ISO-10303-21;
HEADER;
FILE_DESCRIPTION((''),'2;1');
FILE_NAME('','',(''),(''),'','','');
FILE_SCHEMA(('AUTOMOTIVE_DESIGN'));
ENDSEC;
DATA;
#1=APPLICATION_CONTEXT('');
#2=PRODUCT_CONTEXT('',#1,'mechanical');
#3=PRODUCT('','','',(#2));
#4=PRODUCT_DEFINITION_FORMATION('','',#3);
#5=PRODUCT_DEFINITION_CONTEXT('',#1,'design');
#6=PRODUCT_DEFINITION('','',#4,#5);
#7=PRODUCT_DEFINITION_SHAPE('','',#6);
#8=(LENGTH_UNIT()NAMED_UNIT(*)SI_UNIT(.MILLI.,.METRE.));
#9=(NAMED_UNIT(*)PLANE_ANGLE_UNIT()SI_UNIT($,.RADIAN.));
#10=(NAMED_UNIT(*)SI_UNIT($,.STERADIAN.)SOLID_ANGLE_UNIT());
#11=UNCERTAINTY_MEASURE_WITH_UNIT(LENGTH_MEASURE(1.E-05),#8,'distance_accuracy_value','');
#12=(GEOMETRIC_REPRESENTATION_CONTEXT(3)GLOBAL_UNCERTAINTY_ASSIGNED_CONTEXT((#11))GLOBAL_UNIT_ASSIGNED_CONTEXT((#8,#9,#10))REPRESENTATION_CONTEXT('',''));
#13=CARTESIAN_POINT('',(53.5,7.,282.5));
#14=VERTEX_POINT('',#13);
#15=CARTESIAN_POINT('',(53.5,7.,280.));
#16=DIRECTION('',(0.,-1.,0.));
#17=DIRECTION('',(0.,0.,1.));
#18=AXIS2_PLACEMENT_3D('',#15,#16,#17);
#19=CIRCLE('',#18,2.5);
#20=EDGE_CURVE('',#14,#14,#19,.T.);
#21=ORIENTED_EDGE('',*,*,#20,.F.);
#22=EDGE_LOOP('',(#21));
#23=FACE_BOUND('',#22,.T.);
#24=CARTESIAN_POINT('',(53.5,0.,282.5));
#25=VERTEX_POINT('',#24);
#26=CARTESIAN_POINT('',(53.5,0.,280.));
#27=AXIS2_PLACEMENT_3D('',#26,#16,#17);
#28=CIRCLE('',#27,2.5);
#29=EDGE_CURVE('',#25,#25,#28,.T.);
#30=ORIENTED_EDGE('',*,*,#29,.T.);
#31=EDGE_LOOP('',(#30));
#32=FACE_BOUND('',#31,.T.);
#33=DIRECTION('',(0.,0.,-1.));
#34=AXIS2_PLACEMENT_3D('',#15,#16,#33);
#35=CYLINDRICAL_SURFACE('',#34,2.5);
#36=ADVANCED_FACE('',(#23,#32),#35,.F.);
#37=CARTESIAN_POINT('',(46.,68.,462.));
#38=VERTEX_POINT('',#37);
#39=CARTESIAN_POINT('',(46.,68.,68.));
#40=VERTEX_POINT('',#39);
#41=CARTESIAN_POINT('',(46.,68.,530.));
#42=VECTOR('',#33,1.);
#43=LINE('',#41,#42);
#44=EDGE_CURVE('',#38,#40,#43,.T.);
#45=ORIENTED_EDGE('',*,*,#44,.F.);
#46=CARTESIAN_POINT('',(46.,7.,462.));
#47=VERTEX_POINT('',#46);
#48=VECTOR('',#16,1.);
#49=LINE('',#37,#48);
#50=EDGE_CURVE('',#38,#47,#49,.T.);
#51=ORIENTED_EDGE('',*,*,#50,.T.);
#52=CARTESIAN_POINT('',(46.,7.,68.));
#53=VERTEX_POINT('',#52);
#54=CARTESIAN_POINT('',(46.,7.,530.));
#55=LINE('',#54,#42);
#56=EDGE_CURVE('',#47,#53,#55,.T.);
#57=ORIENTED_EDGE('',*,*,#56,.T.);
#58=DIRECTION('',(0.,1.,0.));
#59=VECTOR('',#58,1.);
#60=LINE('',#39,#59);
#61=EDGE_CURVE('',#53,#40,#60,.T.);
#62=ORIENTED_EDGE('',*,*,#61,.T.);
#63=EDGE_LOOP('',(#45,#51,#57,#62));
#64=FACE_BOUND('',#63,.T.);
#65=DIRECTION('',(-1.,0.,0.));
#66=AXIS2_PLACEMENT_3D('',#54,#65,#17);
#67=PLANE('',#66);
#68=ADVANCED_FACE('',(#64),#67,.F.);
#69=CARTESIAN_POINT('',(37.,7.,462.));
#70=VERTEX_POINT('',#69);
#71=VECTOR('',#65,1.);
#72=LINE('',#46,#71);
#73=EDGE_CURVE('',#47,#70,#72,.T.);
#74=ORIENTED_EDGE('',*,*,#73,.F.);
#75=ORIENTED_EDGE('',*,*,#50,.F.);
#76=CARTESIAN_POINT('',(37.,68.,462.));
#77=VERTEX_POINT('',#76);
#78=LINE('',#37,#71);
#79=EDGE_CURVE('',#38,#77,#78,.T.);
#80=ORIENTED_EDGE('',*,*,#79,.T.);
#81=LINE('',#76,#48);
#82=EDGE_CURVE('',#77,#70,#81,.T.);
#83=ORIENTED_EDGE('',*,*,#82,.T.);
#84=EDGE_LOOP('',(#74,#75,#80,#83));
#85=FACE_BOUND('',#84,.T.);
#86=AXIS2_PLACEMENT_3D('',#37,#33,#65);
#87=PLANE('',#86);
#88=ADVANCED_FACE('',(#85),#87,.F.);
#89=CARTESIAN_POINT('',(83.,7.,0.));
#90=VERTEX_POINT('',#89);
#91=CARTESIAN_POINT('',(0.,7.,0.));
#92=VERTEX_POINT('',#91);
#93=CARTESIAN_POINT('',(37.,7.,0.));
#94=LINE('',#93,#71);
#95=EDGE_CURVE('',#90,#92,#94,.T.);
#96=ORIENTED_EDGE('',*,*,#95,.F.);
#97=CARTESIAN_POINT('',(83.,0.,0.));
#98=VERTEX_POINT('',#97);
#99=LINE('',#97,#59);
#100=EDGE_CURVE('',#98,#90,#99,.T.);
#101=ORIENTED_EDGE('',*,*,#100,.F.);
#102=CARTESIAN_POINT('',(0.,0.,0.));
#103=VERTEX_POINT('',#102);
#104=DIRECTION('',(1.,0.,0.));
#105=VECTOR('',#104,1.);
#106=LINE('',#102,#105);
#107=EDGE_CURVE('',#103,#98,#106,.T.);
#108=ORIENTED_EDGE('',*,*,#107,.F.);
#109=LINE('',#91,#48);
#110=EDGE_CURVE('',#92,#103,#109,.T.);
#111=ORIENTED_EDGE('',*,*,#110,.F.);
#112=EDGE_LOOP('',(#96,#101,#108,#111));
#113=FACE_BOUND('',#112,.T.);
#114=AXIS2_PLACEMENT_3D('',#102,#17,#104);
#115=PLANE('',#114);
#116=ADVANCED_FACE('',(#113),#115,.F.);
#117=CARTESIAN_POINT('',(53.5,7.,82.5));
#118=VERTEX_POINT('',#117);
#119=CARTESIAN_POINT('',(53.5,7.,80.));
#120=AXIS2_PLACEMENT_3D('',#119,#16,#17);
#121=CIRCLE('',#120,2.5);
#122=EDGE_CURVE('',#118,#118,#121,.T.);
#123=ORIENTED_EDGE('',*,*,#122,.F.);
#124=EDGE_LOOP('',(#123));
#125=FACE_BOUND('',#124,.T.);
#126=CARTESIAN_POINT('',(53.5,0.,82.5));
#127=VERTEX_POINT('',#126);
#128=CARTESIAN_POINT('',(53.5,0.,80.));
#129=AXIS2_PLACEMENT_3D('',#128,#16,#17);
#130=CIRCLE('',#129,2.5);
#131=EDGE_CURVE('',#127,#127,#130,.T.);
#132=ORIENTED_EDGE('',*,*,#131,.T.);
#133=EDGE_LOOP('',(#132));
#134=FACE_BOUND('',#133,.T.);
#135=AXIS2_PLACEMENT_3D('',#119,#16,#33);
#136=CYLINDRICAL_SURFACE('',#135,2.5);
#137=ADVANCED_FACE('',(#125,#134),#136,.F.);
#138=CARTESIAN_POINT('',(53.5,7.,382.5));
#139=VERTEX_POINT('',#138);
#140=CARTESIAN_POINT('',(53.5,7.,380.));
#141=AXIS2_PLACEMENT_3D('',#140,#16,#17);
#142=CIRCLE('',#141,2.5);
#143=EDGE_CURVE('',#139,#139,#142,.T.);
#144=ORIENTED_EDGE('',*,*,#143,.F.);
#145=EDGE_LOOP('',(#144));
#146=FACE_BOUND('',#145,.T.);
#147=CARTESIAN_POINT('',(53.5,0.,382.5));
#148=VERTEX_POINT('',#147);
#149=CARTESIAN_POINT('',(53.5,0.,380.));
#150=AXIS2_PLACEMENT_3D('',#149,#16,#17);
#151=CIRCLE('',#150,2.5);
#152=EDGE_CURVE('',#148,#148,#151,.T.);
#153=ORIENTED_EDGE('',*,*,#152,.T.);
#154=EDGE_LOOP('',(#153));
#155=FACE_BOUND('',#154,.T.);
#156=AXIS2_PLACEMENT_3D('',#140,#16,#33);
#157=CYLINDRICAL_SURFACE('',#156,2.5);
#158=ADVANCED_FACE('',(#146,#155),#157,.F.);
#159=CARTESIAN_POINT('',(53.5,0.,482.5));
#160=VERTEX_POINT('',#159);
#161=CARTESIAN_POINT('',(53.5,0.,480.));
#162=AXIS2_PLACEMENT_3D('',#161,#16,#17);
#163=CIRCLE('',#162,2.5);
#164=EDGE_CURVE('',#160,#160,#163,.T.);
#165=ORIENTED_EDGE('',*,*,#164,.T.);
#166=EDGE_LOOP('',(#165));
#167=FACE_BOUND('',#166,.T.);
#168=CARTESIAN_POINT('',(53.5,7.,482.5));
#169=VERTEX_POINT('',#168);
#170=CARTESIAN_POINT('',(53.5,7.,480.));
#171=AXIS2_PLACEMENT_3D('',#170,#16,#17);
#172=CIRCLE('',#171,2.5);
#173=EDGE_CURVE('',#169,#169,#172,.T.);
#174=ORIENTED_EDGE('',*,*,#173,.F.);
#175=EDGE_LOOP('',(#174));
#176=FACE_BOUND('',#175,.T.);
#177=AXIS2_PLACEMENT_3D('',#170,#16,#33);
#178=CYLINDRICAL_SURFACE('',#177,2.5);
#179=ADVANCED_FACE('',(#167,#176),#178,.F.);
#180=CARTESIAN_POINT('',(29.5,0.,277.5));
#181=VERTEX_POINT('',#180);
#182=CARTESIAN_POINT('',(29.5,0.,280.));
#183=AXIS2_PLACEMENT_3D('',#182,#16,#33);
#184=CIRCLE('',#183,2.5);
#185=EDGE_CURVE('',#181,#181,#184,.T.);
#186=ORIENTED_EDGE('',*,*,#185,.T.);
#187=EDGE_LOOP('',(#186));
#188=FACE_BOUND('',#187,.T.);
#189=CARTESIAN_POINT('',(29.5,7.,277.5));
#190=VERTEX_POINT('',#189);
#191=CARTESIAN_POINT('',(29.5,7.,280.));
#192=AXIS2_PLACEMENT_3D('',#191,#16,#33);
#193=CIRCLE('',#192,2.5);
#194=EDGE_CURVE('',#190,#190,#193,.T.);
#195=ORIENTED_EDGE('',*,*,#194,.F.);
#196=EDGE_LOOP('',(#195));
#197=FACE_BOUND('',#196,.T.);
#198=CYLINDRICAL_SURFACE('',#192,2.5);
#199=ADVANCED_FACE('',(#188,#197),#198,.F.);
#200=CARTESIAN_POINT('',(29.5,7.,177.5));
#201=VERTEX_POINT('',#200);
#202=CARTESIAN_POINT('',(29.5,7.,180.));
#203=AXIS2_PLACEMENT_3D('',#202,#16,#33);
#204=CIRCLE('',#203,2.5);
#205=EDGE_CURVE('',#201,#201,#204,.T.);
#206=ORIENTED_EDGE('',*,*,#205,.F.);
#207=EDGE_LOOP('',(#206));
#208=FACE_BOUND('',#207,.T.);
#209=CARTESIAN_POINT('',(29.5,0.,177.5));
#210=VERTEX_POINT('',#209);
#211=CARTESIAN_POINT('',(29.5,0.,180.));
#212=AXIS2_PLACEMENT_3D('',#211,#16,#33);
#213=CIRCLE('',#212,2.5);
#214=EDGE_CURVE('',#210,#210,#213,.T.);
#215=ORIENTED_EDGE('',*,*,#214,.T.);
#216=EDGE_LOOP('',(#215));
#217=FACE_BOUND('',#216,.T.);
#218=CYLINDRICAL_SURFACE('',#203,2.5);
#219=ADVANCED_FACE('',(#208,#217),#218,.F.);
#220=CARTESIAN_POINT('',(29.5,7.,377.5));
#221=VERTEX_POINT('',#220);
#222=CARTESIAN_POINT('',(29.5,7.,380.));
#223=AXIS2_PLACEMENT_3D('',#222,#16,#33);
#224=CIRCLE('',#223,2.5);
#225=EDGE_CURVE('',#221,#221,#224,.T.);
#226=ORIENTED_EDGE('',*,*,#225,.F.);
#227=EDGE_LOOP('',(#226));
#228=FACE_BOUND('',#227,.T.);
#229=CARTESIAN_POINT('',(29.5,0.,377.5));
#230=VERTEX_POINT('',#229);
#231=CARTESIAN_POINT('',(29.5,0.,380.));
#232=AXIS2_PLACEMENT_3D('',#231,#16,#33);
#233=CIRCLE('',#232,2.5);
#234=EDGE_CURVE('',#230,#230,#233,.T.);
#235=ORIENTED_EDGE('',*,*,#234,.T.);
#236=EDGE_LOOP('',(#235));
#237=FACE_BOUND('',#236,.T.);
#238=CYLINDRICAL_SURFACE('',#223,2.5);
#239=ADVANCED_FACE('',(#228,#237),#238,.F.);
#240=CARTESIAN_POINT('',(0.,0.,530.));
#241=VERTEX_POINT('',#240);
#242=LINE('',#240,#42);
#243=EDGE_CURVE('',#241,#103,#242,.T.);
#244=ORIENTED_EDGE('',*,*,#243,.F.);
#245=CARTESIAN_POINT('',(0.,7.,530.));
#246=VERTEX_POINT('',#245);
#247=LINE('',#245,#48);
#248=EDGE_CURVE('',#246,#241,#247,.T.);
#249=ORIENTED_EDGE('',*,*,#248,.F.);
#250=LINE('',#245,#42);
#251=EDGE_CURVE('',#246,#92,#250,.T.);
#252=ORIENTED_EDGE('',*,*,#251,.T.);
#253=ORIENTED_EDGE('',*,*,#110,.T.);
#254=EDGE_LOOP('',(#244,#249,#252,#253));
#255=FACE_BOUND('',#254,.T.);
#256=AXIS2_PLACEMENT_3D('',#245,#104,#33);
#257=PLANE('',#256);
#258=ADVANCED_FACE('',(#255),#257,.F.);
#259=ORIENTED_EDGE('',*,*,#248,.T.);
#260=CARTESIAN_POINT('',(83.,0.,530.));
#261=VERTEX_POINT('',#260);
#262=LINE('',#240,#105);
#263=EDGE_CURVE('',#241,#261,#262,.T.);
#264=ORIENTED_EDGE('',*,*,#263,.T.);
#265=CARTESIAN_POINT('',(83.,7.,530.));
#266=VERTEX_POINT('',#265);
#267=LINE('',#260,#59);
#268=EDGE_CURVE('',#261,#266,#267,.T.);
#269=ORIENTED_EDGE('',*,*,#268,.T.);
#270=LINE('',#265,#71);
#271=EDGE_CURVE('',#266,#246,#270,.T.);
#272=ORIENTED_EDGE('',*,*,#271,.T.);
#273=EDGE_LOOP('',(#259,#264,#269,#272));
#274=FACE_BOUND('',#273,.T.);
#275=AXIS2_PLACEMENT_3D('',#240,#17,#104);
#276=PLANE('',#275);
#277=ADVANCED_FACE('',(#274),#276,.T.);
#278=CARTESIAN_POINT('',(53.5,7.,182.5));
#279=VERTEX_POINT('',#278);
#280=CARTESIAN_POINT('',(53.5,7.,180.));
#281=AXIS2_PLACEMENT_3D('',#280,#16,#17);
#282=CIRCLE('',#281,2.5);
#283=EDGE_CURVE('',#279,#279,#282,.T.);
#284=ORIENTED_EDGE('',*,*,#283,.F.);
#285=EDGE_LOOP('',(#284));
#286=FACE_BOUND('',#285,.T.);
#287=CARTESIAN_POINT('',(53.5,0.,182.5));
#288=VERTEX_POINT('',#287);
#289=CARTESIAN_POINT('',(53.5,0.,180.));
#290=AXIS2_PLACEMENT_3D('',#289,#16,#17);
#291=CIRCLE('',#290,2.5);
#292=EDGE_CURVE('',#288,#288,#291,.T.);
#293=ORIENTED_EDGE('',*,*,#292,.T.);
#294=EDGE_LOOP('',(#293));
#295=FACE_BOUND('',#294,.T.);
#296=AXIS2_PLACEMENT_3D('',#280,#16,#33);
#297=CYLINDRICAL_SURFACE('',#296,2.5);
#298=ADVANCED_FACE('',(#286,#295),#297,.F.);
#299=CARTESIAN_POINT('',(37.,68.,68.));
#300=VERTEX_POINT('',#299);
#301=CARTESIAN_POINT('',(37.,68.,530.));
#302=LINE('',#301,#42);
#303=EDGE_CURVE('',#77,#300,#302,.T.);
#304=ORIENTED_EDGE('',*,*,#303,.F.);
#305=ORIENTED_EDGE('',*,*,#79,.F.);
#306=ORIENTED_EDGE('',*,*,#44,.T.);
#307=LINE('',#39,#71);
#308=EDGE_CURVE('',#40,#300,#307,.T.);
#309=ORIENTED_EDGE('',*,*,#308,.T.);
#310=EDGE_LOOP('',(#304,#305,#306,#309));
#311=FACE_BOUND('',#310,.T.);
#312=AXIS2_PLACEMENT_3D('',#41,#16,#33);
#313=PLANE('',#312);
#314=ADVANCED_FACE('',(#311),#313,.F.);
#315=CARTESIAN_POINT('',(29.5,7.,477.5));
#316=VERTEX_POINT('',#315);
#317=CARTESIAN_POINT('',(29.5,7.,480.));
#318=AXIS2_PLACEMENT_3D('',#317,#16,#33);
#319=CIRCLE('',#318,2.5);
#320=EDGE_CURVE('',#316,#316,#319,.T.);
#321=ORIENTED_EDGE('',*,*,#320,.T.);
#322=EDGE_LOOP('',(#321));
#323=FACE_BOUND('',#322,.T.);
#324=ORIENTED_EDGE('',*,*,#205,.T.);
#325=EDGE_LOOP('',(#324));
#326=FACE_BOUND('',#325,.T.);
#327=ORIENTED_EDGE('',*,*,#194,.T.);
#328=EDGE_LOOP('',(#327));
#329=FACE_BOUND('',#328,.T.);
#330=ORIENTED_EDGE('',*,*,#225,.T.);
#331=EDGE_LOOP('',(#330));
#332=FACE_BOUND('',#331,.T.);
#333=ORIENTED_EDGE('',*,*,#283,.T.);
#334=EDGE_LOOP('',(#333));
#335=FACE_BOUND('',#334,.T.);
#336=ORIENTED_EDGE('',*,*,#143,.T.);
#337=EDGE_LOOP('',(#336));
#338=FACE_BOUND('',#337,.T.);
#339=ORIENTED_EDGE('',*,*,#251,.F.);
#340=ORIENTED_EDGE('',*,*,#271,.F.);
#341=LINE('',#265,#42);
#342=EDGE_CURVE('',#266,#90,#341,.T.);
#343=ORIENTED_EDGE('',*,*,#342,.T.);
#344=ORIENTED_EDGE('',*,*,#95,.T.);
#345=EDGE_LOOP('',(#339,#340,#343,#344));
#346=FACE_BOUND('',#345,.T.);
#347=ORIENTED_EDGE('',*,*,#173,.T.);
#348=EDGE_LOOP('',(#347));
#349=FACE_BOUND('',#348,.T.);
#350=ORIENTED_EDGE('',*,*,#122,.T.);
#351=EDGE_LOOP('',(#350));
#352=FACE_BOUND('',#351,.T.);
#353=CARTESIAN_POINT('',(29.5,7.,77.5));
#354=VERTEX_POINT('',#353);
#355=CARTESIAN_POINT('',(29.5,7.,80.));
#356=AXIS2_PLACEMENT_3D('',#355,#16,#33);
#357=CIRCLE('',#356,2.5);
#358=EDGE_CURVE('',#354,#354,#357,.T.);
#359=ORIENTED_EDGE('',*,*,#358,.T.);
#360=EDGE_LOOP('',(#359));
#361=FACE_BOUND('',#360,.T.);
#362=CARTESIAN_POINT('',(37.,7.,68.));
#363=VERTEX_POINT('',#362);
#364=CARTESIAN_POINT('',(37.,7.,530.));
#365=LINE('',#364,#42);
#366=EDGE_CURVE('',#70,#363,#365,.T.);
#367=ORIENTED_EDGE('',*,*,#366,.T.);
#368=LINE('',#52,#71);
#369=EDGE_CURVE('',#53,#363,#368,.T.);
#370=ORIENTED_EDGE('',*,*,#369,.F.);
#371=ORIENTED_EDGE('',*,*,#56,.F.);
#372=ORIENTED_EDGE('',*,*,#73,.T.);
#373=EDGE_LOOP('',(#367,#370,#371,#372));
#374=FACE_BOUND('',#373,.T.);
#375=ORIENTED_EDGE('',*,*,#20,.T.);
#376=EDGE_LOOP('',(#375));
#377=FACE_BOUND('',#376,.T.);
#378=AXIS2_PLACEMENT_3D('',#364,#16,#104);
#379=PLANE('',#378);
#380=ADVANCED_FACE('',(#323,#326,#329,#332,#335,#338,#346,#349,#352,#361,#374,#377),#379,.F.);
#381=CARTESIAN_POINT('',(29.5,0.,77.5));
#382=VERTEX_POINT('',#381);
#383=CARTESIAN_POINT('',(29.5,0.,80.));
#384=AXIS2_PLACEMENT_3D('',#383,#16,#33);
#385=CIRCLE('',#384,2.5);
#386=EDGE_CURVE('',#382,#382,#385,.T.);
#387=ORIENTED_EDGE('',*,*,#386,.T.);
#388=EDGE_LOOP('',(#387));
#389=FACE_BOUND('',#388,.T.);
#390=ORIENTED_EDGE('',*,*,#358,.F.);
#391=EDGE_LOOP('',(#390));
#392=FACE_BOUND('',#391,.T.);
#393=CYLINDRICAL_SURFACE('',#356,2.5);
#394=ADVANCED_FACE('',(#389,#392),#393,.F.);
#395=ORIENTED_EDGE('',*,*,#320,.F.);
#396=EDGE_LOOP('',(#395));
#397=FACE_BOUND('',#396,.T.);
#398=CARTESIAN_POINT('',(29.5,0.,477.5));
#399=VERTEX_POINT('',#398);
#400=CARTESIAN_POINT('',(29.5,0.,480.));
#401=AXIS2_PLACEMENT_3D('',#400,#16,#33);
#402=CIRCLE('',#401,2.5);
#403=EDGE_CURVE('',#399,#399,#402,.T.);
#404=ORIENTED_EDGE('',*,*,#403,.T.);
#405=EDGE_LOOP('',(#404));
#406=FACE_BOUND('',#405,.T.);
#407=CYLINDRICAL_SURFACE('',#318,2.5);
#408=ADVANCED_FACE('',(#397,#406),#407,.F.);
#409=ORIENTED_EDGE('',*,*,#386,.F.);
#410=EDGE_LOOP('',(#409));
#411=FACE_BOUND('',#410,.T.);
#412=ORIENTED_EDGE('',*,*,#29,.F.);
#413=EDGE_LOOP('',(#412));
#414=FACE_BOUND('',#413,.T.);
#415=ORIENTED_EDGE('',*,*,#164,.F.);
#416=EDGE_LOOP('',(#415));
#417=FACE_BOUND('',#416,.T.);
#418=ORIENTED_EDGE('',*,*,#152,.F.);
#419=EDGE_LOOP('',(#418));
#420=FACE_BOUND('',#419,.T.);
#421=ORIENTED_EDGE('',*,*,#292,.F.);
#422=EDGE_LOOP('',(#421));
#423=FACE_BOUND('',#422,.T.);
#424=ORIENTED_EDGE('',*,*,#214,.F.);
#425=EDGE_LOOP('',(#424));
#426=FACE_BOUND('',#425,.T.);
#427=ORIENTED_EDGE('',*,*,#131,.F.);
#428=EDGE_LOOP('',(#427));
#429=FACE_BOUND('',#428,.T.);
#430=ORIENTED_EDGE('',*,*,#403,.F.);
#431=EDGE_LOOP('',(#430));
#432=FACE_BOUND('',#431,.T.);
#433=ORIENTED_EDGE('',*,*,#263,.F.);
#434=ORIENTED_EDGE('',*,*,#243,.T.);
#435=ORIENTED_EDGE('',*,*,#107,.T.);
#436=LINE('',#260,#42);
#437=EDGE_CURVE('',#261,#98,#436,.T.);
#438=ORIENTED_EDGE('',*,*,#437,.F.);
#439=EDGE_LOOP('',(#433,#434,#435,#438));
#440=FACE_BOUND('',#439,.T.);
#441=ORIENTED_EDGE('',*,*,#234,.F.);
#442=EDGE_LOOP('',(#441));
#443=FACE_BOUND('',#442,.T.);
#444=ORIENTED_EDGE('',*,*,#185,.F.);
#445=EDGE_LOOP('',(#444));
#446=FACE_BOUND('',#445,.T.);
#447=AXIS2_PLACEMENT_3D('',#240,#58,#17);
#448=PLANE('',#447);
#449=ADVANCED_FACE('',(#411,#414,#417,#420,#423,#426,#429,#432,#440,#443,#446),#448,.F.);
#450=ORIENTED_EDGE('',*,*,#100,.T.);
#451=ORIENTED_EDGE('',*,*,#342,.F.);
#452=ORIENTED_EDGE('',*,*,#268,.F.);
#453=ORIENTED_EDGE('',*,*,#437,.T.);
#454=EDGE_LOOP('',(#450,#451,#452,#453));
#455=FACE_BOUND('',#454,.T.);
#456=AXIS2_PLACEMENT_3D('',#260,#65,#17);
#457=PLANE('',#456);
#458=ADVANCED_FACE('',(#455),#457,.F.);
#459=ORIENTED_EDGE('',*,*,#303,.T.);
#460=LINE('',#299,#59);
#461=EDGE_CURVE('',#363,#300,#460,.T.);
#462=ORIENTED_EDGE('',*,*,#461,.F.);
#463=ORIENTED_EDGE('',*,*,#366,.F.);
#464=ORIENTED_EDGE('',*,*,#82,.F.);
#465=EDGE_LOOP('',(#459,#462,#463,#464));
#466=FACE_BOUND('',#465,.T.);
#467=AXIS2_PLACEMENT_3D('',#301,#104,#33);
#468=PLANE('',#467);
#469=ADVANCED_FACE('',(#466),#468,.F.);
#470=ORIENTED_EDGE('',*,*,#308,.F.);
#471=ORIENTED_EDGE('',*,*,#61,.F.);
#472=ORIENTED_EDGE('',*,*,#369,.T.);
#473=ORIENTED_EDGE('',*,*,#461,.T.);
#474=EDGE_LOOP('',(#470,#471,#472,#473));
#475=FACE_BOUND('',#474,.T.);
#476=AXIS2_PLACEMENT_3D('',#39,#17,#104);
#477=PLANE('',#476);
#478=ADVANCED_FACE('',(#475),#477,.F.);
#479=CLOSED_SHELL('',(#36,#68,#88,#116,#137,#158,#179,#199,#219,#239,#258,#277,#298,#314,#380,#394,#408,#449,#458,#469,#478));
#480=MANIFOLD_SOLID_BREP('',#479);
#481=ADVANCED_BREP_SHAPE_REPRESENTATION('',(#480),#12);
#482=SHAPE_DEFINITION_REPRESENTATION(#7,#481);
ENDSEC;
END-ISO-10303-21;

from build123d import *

# Parameters (mm, degrees)
BOSS_EXTRU_1_DEPTH      = 530
ESQUISSE2_W             = 68
ESQUISSE2_H             = 61
ENL_V_MAT_EXTRU_1_DEPTH = 9
ESQUISSE3_R             = 2.5
ENL_V_MAT_EXTRU_2_DEPTH = 7


with BuildPart() as part:
    # Esquisse1 → Boss.-Extru.1 (new body)
    with BuildSketch(Plane.XY):
        Polygon((0, 0), (83, 0), (83, 7), (46, 7), (46, 68), (37, 68), (37, 7), (0, 7), align=None)
    extrude(amount=BOSS_EXTRU_1_DEPTH)

    # Esquisse2 → Enlèv. mat.-Extru.1 (cut)
    with BuildSketch(Plane.ZY.offset(-37)):
        with Locations((34, 37.5)):
            Rectangle(ESQUISSE2_W, ESQUISSE2_H)
        with Locations((496, 37.5)):
            Rectangle(ESQUISSE2_W, ESQUISSE2_H)
    extrude(amount=-ENL_V_MAT_EXTRU_1_DEPTH, mode=Mode.SUBTRACT)

    # Esquisse3 → Enlèv. mat.-Extru.2 (cut)
    with BuildSketch(Plane.XZ):
        with Locations(Location((29.5, 80, 0), (0, 0, 270))):
            Circle(ESQUISSE3_R)
        with Locations(Location((53.5, 80, 0), (0, 0, 90))):
            Circle(ESQUISSE3_R)
        with Locations(Location((29.5, 180, 0), (0, 0, 270))):
            Circle(ESQUISSE3_R)
        with Locations(Location((53.5, 180, 0), (0, 0, 90))):
            Circle(ESQUISSE3_R)
        with Locations(Location((29.5, 280, 0), (0, 0, 270))):
            Circle(ESQUISSE3_R)
        with Locations(Location((53.5, 280, 0), (0, 0, 90))):
            Circle(ESQUISSE3_R)
        with Locations(Location((29.5, 380, 0), (0, 0, 270))):
            Circle(ESQUISSE3_R)
        with Locations(Location((53.5, 380, 0), (0, 0, 90))):
            Circle(ESQUISSE3_R)
        with Locations(Location((29.5, 480, 0), (0, 0, 270))):
            Circle(ESQUISSE3_R)
        with Locations(Location((53.5, 480, 0), (0, 0, 90))):
            Circle(ESQUISSE3_R)
    extrude(amount=-ENL_V_MAT_EXTRU_2_DEPTH, mode=Mode.SUBTRACT)


solid = part.part
